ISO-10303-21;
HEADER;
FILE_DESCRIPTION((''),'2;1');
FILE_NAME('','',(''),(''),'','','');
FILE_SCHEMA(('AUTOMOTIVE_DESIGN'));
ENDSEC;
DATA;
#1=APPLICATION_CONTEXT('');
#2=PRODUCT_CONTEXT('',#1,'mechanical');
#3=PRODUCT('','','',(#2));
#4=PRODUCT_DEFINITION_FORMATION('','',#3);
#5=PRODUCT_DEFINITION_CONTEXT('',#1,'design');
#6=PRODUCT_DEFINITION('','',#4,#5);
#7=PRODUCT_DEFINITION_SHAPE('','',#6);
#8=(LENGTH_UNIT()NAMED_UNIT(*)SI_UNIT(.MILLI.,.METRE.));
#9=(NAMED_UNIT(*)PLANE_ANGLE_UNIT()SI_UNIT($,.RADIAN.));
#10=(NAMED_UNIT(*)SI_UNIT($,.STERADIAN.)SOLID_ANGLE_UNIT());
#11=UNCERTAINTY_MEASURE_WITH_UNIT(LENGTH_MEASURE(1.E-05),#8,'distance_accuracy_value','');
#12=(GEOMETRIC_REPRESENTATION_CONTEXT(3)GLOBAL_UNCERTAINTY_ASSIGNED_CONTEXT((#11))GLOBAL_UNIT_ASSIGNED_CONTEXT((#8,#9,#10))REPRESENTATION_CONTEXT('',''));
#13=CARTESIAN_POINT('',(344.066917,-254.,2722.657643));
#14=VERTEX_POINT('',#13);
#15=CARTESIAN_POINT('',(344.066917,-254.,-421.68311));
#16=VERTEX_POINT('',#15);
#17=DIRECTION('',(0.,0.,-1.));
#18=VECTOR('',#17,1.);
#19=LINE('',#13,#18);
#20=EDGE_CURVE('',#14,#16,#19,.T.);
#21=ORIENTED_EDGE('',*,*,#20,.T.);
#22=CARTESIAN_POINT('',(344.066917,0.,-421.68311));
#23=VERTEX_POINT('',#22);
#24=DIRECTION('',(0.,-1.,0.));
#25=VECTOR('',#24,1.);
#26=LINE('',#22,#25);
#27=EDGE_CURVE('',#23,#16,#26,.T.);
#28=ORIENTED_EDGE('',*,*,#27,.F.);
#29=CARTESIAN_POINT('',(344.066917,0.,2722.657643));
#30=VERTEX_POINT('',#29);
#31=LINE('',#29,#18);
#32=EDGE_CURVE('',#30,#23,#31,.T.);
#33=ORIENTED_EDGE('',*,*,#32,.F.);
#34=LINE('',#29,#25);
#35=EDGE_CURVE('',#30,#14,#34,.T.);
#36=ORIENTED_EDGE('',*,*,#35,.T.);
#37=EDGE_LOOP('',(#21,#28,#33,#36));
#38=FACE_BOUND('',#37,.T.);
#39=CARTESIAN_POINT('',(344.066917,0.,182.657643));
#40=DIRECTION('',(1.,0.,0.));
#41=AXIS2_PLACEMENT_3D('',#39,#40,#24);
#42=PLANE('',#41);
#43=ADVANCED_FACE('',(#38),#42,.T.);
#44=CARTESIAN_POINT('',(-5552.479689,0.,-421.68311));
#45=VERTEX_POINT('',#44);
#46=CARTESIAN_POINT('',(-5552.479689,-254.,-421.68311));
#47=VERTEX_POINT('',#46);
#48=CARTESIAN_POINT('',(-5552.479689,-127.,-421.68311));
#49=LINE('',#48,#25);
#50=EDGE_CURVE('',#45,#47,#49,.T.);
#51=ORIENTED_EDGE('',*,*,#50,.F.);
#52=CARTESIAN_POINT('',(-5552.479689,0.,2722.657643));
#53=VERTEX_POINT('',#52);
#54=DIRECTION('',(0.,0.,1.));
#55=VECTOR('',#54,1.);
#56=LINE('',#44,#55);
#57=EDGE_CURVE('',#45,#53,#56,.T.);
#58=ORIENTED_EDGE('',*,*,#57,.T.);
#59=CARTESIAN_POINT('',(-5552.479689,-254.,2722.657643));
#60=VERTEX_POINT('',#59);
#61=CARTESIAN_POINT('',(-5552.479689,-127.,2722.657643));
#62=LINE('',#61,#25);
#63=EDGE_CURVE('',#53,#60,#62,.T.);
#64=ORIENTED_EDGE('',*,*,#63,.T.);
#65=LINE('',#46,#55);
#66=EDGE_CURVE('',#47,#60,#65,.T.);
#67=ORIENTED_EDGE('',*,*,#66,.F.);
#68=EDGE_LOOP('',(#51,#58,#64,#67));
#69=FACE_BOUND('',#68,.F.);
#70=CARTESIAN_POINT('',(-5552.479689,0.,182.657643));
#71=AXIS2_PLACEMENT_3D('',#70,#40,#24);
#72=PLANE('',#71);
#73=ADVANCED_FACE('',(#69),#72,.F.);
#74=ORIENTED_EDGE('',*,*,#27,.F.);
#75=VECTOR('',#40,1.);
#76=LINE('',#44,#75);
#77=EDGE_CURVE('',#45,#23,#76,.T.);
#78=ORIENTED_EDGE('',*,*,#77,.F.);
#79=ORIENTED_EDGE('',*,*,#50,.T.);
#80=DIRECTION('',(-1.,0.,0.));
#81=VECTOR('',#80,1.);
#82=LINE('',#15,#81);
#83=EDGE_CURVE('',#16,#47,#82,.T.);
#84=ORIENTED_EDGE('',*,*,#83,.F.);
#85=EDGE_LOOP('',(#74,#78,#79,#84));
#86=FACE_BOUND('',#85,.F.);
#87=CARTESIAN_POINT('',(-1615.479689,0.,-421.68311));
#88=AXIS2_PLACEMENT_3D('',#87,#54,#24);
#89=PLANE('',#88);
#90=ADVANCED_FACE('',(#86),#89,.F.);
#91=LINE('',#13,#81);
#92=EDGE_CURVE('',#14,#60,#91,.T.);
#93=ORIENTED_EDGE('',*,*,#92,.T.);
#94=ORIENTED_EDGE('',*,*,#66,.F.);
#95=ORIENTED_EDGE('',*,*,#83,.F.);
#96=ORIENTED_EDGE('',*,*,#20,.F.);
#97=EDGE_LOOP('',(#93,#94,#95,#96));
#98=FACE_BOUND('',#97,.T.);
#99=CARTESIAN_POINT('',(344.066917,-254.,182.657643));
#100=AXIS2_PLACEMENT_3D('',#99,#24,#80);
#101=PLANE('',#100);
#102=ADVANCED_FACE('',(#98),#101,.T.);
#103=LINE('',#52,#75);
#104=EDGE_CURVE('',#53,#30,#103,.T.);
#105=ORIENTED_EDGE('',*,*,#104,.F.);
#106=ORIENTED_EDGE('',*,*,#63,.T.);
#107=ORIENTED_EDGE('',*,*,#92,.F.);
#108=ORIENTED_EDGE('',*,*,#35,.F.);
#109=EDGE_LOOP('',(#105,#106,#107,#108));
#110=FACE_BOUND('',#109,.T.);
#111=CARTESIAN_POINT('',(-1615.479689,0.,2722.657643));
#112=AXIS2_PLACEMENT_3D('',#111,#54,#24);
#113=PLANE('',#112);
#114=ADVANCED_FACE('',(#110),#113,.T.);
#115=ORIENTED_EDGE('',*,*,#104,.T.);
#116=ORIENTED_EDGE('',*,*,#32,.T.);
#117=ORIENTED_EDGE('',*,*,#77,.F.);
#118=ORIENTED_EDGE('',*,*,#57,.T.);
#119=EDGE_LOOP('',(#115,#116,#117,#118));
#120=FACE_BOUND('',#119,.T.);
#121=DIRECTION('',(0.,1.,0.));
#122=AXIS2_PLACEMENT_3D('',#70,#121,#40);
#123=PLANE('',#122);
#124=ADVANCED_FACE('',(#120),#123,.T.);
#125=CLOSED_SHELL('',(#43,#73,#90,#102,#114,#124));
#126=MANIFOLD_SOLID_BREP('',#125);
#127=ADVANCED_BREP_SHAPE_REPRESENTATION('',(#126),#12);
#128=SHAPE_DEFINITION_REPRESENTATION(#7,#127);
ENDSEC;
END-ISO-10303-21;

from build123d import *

# Parameters (mm, degrees)
F0_W     = 105.3466051817
F0_H     = 96.3407531381
F1_DEPTH = 254
F2_DEPTH = 254
F3_DEPTH = 508
F4_W     = 254
F4_H     = 350.3407531381
F5_DEPTH = 762
F6_DEPTH = 254
F7_DEPTH = 584.2
F8_DEPTH = 3937
F9_DEPTH = 2540


with BuildPart() as f1:
    # F0 (on Front) → F1 (new body)
    with BuildSketch(Plane.XZ):
        with Locations((-216.6063860059, -119.512733072)):
            Rectangle(F0_W, F0_H)
    extrude(amount=F1_DEPTH)

    # F2 (add): a face of the model
    f2_faces = [f1.faces().sort_by_distance(p)[0] for p in [
        (-216.6063860059, -127, -71.342356503),
    ]]
    extrude(f2_faces, amount=F2_DEPTH)

    # F3 (add): a face of the model
    f3_faces = [f1.faces().sort_by_distance(p)[0] for p in [
        (-163.933083415, -127, 7.487266928),
    ]]
    extrude(f3_faces, amount=F3_DEPTH)

    # F4 (on face) → F5 (join)
    with BuildSketch(Plane(origin=(-269.2796885967, 0, 0), x_dir=(0, -1, 0), z_dir=(-1, 0, 0))):
        with Locations((127, 7.487266928)):
            Rectangle(F4_W, F4_H)
    extrude(amount=F5_DEPTH)

    # F6 (add): a face of the model
    f6_faces = [f1.faces().sort_by_distance(p)[0] for p in [
        (-343.6063860059, -127, -167.6831096411),
    ]]
    extrude(f6_faces, amount=F6_DEPTH)

    # F7 (add): a face of the model
    f7_faces = [f1.faces().sort_by_distance(p)[0] for p in [
        (-1031.2796885967, -127, -119.512733072),
    ]]
    extrude(f7_faces, amount=F7_DEPTH)

    # F8 (add): a face of the model
    f8_faces = [f1.faces().sort_by_distance(p)[0] for p in [
        (-1615.4796885967, -127, -119.512733072),
    ]]
    extrude(f8_faces, amount=F8_DEPTH)

    # F9 (add): a face of the model
    f9_faces = [f1.faces().sort_by_distance(p)[0] for p in [
        (-2604.2063860059, -127, 182.657643497),
    ]]
    extrude(f9_faces, amount=F9_DEPTH)


solid = f1.part
